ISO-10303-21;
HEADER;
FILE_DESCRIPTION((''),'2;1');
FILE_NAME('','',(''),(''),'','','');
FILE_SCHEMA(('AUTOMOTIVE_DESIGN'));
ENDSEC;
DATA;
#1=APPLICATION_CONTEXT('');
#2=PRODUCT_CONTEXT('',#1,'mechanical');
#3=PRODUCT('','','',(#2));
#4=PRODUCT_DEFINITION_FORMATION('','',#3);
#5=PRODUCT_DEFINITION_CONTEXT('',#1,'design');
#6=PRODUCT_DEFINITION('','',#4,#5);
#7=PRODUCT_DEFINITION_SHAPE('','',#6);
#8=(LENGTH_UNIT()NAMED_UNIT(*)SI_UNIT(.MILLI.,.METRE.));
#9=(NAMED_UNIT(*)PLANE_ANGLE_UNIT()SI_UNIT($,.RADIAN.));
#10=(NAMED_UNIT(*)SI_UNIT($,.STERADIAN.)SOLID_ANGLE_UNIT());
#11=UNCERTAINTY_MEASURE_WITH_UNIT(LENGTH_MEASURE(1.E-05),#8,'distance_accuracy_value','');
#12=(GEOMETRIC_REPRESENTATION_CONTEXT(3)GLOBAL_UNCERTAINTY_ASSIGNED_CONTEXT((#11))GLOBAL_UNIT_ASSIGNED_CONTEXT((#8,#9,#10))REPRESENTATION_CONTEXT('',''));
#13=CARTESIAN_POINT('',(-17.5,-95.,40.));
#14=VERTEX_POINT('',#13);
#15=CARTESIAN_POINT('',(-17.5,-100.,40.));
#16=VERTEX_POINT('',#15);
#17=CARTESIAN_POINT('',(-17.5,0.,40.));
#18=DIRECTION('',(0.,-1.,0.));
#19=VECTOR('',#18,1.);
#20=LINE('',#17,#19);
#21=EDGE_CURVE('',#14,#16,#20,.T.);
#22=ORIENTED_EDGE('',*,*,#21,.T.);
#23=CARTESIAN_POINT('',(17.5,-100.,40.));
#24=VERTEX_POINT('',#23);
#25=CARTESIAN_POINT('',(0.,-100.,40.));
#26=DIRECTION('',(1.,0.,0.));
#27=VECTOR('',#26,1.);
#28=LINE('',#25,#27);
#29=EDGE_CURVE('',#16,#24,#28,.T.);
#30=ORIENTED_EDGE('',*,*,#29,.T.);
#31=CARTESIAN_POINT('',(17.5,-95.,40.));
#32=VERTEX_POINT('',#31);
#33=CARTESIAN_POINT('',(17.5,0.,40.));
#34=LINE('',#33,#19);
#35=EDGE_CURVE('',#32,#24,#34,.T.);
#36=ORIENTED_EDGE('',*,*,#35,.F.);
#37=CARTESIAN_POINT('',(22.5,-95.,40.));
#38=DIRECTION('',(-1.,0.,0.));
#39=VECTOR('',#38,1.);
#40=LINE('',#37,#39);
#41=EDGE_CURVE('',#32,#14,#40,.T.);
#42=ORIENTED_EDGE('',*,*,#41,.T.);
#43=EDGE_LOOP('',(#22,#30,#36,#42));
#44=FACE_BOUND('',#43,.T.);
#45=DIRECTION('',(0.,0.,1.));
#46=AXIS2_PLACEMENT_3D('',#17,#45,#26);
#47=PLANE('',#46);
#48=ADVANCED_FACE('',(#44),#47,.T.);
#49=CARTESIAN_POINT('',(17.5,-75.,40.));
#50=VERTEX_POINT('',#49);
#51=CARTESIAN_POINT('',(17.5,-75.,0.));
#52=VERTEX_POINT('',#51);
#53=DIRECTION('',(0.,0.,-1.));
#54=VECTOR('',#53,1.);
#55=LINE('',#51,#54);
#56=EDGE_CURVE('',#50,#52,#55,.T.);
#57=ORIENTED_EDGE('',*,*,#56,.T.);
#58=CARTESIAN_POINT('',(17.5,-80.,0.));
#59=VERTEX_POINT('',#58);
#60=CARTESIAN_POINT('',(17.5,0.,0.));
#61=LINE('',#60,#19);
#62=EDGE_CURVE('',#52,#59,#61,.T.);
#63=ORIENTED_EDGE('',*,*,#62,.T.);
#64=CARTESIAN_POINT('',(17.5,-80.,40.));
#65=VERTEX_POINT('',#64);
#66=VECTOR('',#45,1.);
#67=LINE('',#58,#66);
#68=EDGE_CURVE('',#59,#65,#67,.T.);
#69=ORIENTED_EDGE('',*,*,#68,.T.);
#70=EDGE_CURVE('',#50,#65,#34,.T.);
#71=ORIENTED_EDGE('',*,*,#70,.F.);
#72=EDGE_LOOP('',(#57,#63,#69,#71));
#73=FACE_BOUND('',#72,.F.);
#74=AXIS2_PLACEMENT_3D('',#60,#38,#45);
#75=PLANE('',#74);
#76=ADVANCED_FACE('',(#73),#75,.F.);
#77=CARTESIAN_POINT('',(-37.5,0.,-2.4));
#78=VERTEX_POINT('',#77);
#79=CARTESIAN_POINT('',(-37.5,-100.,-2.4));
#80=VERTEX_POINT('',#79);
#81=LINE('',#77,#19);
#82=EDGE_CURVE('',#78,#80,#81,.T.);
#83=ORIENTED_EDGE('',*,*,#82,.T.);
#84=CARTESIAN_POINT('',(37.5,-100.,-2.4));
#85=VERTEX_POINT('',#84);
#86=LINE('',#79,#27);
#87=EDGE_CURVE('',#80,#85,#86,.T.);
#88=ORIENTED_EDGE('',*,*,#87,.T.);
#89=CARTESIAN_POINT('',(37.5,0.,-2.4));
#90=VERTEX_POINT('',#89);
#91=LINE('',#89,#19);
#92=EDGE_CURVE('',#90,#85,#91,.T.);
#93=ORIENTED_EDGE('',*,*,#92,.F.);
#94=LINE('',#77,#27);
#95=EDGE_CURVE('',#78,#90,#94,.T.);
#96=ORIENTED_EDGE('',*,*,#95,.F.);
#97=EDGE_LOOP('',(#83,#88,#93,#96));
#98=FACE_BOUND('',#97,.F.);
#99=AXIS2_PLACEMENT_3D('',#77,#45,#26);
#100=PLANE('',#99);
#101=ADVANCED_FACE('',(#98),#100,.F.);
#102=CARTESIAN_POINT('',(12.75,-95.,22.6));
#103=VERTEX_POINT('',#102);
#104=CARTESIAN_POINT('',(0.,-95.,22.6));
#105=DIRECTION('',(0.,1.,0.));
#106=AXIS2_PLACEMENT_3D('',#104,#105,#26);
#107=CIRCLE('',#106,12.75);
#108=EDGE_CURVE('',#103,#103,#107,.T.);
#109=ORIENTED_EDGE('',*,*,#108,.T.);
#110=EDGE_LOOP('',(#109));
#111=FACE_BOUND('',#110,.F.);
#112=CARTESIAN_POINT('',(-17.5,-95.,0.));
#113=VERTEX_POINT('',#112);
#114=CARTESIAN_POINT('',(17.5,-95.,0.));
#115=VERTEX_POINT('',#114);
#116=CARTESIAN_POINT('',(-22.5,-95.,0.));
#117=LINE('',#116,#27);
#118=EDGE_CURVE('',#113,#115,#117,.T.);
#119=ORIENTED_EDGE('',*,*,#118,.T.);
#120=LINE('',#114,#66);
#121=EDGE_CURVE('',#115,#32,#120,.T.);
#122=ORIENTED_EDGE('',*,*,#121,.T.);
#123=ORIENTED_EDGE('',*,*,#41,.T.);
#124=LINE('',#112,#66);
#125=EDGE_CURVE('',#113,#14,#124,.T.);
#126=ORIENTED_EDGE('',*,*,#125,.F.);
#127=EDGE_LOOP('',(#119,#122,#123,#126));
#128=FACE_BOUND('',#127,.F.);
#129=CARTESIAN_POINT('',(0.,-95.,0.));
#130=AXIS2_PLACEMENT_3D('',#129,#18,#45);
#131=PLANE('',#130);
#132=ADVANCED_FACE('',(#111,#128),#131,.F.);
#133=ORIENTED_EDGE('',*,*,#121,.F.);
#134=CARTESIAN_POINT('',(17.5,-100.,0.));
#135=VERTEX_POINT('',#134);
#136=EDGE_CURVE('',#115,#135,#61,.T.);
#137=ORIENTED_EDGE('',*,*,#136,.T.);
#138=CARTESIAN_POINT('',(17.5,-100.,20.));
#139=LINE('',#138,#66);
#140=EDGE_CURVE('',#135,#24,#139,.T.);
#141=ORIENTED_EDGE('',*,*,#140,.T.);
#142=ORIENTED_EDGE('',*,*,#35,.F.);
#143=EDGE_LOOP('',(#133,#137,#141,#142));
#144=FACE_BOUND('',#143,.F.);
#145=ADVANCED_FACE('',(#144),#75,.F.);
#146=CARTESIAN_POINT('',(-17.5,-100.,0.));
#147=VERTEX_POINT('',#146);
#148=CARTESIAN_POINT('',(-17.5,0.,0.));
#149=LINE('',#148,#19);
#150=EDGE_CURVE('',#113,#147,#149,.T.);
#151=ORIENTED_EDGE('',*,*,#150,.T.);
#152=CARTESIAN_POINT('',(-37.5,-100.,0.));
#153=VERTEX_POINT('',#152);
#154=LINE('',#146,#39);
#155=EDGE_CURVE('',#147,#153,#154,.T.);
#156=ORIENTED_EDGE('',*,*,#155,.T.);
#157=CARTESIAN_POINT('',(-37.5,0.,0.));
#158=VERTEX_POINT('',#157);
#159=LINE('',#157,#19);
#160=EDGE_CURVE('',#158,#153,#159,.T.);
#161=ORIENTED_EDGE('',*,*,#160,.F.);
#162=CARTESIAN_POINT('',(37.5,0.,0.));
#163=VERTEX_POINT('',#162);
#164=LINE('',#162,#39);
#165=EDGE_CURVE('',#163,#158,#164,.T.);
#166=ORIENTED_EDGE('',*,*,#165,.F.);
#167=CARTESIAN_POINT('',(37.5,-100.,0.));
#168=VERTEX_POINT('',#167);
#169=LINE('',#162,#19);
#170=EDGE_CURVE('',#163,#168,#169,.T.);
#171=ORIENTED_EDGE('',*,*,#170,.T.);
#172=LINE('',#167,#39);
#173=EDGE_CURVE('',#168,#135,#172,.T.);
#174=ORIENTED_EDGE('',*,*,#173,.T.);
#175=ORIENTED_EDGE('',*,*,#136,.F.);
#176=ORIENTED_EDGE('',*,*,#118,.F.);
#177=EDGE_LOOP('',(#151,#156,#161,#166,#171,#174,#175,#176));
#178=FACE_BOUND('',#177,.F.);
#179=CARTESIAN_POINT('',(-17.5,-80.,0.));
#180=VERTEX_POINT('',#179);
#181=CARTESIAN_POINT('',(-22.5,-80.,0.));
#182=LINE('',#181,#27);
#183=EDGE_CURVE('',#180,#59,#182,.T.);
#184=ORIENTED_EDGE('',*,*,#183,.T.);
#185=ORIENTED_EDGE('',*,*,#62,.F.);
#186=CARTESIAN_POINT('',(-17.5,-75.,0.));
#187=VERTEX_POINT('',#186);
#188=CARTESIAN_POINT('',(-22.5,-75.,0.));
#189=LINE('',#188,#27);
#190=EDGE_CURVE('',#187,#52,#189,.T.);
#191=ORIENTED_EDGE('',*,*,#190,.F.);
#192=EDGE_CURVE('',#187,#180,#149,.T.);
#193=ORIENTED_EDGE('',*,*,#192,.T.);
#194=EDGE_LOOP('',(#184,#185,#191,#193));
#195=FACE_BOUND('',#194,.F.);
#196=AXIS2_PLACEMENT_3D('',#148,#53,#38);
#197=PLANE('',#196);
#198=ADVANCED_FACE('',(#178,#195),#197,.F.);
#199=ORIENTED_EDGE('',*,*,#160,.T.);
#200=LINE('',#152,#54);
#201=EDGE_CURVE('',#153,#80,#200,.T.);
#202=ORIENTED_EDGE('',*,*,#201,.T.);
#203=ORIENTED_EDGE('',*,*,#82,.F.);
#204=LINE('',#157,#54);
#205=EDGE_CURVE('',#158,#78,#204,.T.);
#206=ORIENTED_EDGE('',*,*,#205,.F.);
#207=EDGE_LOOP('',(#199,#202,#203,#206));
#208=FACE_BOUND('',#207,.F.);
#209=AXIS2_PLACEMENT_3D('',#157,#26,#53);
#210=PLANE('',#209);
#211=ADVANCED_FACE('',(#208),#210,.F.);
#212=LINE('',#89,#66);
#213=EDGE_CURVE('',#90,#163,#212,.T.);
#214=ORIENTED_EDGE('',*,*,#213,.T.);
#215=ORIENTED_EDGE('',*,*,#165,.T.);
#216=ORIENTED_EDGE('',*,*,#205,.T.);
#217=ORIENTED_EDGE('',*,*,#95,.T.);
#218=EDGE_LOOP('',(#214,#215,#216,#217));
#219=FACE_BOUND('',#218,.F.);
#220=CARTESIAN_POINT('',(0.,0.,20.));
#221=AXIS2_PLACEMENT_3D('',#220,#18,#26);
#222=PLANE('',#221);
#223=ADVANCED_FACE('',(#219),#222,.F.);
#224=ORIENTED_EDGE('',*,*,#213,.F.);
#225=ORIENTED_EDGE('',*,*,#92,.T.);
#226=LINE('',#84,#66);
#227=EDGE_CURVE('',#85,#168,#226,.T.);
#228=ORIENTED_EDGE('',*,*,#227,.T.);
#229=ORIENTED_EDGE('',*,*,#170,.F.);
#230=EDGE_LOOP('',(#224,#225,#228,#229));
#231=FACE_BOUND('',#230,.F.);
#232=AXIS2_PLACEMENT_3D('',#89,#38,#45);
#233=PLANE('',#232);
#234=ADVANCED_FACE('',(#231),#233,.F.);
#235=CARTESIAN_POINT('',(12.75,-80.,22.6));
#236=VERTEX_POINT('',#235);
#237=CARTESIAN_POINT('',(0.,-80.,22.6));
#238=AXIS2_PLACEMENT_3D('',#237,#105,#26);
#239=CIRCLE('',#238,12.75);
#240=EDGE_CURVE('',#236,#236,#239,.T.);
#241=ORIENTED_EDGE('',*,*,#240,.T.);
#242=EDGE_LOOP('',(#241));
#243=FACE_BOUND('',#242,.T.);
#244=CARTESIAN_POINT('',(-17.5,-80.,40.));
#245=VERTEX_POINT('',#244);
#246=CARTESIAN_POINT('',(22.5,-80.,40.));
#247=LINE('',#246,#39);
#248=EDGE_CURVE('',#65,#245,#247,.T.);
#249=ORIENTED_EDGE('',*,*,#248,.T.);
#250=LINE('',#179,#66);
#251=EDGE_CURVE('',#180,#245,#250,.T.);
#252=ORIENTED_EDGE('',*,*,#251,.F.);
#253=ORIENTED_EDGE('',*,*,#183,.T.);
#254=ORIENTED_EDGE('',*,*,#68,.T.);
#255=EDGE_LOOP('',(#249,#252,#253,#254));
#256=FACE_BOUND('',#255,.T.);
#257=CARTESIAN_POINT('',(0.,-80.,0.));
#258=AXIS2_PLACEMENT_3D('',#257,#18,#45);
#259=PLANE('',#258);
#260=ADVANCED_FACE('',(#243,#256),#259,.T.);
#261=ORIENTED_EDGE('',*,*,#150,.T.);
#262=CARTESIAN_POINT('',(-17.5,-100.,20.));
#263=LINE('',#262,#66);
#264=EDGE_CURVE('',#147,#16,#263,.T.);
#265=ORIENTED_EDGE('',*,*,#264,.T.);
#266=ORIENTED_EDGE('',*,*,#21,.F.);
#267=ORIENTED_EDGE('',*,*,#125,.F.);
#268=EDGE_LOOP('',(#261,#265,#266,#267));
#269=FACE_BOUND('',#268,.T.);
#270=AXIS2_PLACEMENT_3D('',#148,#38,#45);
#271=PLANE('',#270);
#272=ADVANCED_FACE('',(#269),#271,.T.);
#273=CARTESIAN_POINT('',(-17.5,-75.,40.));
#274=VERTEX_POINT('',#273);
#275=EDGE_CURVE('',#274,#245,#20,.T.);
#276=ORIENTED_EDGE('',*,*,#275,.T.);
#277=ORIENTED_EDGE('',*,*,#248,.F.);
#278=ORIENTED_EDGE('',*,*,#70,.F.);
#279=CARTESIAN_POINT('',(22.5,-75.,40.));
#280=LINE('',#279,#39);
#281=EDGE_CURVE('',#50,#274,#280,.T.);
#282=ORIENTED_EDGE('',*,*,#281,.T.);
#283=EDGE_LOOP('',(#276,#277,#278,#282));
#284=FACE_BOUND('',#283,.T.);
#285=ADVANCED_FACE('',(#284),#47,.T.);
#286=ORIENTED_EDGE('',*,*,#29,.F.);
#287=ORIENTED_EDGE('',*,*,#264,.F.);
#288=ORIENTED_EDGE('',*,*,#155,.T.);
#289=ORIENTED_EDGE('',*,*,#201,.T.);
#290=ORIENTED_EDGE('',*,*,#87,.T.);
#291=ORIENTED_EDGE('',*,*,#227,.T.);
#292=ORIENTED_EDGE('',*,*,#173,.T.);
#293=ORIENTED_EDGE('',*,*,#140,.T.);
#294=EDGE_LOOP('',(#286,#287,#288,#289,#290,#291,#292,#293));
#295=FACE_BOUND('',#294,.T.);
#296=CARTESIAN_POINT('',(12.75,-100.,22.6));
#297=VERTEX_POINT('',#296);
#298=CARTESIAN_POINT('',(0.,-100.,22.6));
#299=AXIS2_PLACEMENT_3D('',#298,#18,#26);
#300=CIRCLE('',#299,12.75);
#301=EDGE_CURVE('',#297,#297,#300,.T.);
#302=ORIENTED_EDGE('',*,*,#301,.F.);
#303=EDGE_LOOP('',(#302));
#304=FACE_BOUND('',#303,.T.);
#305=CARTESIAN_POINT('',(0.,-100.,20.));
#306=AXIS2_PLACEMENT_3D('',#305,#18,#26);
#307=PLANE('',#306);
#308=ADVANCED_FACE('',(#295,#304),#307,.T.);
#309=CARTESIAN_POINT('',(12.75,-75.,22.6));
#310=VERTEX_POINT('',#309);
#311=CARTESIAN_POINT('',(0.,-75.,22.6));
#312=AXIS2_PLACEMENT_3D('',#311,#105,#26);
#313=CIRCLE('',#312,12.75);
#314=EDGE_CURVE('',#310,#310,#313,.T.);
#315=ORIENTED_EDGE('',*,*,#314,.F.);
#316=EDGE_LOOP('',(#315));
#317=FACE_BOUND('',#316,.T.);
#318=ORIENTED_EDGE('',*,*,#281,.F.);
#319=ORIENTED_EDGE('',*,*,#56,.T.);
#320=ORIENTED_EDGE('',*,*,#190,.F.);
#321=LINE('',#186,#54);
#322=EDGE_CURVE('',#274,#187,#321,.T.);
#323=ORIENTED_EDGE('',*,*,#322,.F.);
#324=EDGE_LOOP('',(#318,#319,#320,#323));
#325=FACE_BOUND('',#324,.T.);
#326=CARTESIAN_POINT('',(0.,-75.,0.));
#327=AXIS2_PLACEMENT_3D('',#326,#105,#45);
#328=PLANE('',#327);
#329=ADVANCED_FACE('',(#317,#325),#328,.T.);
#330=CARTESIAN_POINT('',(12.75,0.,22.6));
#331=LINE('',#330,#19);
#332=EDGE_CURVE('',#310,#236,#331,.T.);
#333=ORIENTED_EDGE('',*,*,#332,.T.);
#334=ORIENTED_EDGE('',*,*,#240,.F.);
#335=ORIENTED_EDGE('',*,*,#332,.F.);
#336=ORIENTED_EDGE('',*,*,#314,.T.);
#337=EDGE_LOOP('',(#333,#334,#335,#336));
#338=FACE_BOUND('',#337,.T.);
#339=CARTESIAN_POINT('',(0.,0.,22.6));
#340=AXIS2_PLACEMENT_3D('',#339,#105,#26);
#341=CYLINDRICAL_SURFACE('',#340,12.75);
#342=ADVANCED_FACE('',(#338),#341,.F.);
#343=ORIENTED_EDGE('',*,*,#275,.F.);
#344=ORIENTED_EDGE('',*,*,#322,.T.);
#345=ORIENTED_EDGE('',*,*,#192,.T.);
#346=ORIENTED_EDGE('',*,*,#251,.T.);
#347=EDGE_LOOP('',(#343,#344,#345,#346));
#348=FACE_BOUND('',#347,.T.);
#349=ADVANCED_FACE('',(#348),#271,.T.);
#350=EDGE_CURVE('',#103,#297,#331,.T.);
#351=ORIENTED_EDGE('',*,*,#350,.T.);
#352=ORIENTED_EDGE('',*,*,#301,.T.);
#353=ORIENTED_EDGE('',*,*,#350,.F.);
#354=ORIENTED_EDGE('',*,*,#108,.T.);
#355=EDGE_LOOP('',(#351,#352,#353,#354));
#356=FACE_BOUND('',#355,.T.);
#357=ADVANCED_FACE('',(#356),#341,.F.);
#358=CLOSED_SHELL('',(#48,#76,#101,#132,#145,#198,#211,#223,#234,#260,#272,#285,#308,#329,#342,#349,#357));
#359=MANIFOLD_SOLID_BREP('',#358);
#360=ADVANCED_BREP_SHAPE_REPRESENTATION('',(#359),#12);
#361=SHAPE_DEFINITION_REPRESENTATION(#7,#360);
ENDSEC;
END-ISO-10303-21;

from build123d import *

# Parameters (mm, degrees)
F0_W     = 35
F0_H     = 40
F0_R     = 12.75
F1_DEPTH = 100
F2_W     = 15
F2_H     = 40
F2_W_2   = 75
F3_DEPTH = 22.5


with BuildPart() as f1:
    # F0 (on Front) → F1 (new body)
    with BuildSketch(Plane.XZ):
        with Locations((0, 20)):
            Rectangle(F0_W, F0_H)
        with Locations((0, 22.6)):
            Circle(F0_R, mode=Mode.SUBTRACT)
        Polygon((-17.5, 0), (-37.5, 0), (-37.5, -2.4), (37.5, -2.4), (37.5, 0), (17.5, 0), align=None)
    extrude(amount=F1_DEPTH)

    # F2 (on Right) → F3 (cut, symmetric)
    with BuildSketch(Plane.YZ):
        with Locations((-87.5, 20)):
            Rectangle(F2_W, F2_H)
        with Locations((-37.5, 20)):
            Rectangle(F2_W_2, F2_H)
    extrude(amount=F3_DEPTH, both=True, mode=Mode.SUBTRACT)


solid = f1.part
